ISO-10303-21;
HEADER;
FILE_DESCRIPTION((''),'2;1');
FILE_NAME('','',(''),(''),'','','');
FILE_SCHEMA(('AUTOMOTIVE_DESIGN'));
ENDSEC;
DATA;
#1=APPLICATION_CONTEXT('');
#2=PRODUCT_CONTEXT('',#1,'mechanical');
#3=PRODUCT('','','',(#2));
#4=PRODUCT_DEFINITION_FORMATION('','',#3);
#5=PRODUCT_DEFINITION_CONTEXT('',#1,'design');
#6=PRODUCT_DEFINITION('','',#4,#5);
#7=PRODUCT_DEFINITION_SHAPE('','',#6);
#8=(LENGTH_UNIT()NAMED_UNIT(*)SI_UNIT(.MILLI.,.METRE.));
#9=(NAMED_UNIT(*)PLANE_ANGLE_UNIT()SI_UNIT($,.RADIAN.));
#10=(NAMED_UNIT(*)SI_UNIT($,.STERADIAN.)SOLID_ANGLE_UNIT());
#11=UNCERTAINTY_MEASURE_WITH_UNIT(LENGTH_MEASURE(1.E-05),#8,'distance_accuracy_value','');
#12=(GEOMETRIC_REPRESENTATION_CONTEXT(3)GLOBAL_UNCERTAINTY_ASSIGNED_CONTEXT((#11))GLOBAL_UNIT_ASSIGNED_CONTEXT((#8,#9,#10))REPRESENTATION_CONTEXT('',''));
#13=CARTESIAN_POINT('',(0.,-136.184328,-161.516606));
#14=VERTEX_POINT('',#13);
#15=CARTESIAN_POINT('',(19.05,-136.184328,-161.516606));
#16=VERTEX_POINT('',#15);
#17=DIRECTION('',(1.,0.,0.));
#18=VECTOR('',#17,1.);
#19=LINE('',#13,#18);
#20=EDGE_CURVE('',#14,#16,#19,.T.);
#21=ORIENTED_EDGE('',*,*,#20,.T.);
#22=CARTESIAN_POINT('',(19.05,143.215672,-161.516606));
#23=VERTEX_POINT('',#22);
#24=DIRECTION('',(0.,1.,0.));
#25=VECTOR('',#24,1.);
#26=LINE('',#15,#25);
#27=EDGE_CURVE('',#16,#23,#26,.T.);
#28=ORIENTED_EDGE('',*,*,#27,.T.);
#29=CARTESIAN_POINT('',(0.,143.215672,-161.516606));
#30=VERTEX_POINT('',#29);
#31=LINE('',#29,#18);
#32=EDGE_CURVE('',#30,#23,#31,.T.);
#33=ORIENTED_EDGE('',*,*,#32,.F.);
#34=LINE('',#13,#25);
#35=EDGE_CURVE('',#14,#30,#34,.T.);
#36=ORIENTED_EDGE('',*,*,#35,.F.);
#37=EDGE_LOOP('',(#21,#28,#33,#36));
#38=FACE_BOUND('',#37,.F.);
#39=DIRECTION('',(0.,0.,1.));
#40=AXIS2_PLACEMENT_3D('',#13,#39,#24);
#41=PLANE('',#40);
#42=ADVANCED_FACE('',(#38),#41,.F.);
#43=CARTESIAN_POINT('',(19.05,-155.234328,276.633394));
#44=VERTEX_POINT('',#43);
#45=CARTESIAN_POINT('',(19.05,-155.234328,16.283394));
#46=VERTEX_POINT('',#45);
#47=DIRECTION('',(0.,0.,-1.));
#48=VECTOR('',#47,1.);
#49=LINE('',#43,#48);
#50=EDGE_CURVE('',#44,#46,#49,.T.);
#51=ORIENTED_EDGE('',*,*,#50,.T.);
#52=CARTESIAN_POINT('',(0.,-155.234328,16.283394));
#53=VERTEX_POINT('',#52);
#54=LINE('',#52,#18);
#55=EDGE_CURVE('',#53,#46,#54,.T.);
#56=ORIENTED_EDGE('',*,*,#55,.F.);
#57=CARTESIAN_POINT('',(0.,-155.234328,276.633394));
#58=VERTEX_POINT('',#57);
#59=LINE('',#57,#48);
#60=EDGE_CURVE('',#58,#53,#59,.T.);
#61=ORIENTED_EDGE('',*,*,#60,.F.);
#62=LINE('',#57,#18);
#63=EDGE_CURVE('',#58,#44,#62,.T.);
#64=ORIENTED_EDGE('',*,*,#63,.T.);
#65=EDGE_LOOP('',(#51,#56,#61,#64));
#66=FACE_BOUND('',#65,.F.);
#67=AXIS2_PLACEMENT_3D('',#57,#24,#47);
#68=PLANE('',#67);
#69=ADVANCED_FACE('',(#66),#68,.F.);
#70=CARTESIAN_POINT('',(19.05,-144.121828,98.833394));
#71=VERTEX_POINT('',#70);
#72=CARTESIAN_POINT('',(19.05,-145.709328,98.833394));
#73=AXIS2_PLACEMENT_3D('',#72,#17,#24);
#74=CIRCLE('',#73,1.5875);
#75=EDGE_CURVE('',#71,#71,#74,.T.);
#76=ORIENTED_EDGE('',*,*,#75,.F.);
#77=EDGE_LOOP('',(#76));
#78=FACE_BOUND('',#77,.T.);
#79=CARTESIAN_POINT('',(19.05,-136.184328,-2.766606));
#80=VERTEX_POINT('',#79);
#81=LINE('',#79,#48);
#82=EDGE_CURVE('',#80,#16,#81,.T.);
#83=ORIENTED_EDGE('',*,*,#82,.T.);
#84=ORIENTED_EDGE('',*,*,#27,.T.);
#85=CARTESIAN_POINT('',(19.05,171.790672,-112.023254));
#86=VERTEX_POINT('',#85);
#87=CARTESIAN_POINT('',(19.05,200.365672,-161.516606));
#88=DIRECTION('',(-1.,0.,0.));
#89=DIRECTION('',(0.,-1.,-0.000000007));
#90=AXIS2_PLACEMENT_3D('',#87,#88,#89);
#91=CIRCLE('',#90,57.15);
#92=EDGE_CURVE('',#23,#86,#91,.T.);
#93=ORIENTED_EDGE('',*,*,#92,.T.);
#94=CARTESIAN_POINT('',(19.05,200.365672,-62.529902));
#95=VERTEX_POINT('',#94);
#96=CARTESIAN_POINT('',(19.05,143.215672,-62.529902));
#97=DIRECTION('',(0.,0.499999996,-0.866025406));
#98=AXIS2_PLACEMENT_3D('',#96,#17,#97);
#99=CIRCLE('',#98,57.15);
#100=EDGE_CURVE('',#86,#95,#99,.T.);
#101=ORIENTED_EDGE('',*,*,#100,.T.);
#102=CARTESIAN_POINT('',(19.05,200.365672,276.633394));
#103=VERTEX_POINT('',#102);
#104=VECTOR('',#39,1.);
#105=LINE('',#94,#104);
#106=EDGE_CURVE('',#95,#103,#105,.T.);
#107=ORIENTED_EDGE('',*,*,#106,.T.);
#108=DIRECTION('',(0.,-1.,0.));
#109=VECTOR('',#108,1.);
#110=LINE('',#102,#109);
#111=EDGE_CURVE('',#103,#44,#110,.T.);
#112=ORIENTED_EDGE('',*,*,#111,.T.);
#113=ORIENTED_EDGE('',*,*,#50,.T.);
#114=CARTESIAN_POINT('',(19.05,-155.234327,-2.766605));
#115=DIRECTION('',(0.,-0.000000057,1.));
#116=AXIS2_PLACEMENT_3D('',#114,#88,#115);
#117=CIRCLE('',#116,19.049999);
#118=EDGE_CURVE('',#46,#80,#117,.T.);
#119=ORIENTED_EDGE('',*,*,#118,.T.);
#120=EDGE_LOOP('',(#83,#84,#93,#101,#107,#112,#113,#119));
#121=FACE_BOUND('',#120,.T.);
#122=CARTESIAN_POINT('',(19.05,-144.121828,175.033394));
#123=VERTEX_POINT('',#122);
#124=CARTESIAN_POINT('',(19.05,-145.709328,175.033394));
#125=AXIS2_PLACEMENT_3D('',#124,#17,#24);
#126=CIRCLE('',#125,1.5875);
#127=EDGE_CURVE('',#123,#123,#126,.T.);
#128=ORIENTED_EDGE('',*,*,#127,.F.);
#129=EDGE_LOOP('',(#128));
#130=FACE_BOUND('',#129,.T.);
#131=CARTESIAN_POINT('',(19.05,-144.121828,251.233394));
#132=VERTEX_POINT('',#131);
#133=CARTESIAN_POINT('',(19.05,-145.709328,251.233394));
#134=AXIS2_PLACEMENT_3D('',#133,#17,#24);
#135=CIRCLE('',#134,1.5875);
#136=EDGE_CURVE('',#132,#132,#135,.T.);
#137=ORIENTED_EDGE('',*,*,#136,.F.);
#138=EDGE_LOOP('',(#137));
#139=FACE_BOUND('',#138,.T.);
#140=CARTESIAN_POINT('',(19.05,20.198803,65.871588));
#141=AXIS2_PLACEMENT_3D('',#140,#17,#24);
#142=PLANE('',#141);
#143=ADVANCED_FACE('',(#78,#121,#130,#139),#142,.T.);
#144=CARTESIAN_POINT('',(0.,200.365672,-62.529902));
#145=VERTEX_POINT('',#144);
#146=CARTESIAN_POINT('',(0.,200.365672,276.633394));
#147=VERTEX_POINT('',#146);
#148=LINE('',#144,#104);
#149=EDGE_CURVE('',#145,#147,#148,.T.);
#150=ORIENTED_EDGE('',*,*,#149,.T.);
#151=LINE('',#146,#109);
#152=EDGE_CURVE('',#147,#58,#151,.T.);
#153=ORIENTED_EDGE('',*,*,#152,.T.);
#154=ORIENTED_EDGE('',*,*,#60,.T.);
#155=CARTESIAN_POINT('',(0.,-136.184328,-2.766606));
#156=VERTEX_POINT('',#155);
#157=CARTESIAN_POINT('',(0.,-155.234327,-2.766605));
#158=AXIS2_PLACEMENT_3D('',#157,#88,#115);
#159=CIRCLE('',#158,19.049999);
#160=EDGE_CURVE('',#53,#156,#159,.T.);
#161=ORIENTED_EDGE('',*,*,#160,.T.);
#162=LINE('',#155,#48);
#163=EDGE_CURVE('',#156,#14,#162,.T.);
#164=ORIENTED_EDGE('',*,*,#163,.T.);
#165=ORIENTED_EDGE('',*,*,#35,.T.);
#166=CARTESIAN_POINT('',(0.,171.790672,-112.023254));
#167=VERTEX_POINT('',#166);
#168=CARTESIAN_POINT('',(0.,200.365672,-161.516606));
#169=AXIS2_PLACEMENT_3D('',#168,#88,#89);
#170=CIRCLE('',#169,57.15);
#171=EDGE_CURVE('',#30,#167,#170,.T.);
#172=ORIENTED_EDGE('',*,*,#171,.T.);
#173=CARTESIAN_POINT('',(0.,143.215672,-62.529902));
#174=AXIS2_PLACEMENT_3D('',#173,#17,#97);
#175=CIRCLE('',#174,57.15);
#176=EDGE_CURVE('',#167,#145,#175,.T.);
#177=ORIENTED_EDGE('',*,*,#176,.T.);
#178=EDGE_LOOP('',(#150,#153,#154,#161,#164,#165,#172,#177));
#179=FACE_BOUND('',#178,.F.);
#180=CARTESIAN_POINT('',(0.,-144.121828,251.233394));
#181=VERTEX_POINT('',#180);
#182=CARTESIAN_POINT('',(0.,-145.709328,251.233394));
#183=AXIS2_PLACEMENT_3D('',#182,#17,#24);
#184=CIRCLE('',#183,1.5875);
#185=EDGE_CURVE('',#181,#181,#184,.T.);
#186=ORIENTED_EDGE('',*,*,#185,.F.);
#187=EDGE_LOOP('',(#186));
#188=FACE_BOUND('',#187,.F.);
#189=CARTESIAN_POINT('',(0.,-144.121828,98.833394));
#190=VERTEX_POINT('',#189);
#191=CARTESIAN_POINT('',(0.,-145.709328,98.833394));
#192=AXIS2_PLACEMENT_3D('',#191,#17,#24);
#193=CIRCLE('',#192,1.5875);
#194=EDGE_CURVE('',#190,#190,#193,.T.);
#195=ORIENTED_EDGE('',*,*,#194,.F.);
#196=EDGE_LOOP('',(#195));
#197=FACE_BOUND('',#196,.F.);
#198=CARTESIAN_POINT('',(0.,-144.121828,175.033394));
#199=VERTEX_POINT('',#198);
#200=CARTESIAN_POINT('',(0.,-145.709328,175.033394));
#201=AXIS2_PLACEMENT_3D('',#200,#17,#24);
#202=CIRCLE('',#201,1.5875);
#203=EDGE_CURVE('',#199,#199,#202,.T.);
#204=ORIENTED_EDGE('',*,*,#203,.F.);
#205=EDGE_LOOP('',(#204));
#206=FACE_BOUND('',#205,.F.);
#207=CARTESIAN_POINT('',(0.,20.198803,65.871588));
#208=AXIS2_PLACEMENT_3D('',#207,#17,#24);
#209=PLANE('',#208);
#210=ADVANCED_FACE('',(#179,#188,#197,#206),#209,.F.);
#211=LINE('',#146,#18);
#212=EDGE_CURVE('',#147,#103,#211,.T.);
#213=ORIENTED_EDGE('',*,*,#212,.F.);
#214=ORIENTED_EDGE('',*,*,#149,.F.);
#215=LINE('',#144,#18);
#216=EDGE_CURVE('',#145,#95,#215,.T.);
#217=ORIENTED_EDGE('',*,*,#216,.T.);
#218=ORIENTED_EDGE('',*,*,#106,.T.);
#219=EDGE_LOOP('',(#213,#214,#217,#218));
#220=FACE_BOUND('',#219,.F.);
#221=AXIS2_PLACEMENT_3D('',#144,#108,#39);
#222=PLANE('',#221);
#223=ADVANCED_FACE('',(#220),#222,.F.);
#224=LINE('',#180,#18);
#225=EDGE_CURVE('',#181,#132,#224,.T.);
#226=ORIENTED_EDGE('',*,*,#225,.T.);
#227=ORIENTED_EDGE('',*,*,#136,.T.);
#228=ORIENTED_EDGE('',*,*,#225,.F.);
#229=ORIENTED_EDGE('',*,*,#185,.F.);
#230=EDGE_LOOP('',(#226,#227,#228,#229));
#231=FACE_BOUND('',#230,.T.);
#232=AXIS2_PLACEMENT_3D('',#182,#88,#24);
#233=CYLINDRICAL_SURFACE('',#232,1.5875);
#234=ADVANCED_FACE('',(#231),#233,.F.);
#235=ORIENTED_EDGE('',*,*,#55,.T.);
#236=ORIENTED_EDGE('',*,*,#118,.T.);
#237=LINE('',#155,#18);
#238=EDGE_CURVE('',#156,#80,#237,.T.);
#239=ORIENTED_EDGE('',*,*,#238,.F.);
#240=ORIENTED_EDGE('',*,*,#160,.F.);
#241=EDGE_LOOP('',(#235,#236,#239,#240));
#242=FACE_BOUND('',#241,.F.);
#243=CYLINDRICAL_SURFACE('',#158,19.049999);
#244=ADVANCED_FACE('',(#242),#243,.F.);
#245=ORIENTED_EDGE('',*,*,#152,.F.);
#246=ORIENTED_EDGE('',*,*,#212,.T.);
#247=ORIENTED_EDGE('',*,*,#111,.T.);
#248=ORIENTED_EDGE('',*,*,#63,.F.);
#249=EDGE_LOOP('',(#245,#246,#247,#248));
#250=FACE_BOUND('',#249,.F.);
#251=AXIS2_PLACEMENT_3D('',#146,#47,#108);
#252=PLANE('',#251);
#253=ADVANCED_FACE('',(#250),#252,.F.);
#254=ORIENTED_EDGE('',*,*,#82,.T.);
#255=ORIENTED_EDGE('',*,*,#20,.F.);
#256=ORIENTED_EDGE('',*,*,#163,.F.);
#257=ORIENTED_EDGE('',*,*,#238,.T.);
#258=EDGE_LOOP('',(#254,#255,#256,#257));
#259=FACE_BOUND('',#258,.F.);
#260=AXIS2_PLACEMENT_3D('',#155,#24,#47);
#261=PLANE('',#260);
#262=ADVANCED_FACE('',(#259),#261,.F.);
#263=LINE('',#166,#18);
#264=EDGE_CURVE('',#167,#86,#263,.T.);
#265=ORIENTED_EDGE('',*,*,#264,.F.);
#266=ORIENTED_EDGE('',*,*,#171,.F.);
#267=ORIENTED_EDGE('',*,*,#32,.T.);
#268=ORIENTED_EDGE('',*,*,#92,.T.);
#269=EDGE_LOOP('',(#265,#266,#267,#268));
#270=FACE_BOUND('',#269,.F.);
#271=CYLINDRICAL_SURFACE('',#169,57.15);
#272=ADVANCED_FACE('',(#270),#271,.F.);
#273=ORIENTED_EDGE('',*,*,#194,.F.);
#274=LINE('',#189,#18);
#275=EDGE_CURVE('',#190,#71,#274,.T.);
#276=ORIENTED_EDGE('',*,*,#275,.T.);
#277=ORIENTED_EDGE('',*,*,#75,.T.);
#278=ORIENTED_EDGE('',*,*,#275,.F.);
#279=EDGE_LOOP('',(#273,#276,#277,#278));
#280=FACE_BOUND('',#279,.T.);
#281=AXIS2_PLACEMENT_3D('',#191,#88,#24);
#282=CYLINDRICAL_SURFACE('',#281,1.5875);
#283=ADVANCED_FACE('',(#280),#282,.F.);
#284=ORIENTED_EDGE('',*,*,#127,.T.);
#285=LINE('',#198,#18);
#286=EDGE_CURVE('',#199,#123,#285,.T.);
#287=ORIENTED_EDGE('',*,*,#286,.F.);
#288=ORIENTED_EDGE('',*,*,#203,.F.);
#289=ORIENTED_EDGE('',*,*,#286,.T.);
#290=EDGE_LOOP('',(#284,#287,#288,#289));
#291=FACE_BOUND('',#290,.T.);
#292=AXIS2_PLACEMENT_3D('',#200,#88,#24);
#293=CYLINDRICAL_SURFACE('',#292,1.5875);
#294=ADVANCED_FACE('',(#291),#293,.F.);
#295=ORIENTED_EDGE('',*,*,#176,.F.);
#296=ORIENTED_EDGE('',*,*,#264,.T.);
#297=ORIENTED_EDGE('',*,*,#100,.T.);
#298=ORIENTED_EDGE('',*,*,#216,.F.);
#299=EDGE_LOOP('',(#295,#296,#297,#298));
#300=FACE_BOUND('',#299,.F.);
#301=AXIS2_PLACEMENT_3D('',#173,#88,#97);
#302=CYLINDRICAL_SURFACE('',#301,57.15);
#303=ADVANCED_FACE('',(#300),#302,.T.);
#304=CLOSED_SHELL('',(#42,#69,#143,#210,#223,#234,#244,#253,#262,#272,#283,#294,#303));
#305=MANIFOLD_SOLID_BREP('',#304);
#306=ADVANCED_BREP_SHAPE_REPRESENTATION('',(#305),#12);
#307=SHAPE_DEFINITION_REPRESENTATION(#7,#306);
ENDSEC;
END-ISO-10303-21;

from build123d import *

# Parameters (mm, degrees)
F0_R     = 1.5875
F1_DEPTH = 19.05


with BuildPart() as f1:
    # F0 (on Right) → F1 (new body)
    with BuildSketch(Plane.YZ):
        with BuildLine():
            Line((200.365672, 276.633394), (-155.234328, 276.633394))
            Line((-155.234328, 276.633394), (-155.234328, 16.283394))
            ThreePointArc((-155.234328, 16.283394), (-141.763944, 10.703779), (-136.184328, -2.766606))
            Line((-136.184328, -2.766606), (-136.184328, -161.516606))
            Line((-136.184328, -161.516606), (143.215672, -161.516606))
            ThreePointArc((143.215672, -161.516606), (150.87232, -132.941606), (171.790672, -112.023254))
            ThreePointArc((171.790672, -112.023254), (192.709024, -91.104902), (200.365672, -62.529902))
            Line((200.365672, -62.529902), (200.365672, 276.633394))
        make_face()
        with Locations((-145.709328, 98.833394)):
            Circle(F0_R, mode=Mode.SUBTRACT)
        with Locations((-145.709328, 175.033394)):
            Circle(F0_R, mode=Mode.SUBTRACT)
        with Locations((-145.709328, 251.233394)):
            Circle(F0_R, mode=Mode.SUBTRACT)
    extrude(amount=F1_DEPTH)


solid = f1.part
